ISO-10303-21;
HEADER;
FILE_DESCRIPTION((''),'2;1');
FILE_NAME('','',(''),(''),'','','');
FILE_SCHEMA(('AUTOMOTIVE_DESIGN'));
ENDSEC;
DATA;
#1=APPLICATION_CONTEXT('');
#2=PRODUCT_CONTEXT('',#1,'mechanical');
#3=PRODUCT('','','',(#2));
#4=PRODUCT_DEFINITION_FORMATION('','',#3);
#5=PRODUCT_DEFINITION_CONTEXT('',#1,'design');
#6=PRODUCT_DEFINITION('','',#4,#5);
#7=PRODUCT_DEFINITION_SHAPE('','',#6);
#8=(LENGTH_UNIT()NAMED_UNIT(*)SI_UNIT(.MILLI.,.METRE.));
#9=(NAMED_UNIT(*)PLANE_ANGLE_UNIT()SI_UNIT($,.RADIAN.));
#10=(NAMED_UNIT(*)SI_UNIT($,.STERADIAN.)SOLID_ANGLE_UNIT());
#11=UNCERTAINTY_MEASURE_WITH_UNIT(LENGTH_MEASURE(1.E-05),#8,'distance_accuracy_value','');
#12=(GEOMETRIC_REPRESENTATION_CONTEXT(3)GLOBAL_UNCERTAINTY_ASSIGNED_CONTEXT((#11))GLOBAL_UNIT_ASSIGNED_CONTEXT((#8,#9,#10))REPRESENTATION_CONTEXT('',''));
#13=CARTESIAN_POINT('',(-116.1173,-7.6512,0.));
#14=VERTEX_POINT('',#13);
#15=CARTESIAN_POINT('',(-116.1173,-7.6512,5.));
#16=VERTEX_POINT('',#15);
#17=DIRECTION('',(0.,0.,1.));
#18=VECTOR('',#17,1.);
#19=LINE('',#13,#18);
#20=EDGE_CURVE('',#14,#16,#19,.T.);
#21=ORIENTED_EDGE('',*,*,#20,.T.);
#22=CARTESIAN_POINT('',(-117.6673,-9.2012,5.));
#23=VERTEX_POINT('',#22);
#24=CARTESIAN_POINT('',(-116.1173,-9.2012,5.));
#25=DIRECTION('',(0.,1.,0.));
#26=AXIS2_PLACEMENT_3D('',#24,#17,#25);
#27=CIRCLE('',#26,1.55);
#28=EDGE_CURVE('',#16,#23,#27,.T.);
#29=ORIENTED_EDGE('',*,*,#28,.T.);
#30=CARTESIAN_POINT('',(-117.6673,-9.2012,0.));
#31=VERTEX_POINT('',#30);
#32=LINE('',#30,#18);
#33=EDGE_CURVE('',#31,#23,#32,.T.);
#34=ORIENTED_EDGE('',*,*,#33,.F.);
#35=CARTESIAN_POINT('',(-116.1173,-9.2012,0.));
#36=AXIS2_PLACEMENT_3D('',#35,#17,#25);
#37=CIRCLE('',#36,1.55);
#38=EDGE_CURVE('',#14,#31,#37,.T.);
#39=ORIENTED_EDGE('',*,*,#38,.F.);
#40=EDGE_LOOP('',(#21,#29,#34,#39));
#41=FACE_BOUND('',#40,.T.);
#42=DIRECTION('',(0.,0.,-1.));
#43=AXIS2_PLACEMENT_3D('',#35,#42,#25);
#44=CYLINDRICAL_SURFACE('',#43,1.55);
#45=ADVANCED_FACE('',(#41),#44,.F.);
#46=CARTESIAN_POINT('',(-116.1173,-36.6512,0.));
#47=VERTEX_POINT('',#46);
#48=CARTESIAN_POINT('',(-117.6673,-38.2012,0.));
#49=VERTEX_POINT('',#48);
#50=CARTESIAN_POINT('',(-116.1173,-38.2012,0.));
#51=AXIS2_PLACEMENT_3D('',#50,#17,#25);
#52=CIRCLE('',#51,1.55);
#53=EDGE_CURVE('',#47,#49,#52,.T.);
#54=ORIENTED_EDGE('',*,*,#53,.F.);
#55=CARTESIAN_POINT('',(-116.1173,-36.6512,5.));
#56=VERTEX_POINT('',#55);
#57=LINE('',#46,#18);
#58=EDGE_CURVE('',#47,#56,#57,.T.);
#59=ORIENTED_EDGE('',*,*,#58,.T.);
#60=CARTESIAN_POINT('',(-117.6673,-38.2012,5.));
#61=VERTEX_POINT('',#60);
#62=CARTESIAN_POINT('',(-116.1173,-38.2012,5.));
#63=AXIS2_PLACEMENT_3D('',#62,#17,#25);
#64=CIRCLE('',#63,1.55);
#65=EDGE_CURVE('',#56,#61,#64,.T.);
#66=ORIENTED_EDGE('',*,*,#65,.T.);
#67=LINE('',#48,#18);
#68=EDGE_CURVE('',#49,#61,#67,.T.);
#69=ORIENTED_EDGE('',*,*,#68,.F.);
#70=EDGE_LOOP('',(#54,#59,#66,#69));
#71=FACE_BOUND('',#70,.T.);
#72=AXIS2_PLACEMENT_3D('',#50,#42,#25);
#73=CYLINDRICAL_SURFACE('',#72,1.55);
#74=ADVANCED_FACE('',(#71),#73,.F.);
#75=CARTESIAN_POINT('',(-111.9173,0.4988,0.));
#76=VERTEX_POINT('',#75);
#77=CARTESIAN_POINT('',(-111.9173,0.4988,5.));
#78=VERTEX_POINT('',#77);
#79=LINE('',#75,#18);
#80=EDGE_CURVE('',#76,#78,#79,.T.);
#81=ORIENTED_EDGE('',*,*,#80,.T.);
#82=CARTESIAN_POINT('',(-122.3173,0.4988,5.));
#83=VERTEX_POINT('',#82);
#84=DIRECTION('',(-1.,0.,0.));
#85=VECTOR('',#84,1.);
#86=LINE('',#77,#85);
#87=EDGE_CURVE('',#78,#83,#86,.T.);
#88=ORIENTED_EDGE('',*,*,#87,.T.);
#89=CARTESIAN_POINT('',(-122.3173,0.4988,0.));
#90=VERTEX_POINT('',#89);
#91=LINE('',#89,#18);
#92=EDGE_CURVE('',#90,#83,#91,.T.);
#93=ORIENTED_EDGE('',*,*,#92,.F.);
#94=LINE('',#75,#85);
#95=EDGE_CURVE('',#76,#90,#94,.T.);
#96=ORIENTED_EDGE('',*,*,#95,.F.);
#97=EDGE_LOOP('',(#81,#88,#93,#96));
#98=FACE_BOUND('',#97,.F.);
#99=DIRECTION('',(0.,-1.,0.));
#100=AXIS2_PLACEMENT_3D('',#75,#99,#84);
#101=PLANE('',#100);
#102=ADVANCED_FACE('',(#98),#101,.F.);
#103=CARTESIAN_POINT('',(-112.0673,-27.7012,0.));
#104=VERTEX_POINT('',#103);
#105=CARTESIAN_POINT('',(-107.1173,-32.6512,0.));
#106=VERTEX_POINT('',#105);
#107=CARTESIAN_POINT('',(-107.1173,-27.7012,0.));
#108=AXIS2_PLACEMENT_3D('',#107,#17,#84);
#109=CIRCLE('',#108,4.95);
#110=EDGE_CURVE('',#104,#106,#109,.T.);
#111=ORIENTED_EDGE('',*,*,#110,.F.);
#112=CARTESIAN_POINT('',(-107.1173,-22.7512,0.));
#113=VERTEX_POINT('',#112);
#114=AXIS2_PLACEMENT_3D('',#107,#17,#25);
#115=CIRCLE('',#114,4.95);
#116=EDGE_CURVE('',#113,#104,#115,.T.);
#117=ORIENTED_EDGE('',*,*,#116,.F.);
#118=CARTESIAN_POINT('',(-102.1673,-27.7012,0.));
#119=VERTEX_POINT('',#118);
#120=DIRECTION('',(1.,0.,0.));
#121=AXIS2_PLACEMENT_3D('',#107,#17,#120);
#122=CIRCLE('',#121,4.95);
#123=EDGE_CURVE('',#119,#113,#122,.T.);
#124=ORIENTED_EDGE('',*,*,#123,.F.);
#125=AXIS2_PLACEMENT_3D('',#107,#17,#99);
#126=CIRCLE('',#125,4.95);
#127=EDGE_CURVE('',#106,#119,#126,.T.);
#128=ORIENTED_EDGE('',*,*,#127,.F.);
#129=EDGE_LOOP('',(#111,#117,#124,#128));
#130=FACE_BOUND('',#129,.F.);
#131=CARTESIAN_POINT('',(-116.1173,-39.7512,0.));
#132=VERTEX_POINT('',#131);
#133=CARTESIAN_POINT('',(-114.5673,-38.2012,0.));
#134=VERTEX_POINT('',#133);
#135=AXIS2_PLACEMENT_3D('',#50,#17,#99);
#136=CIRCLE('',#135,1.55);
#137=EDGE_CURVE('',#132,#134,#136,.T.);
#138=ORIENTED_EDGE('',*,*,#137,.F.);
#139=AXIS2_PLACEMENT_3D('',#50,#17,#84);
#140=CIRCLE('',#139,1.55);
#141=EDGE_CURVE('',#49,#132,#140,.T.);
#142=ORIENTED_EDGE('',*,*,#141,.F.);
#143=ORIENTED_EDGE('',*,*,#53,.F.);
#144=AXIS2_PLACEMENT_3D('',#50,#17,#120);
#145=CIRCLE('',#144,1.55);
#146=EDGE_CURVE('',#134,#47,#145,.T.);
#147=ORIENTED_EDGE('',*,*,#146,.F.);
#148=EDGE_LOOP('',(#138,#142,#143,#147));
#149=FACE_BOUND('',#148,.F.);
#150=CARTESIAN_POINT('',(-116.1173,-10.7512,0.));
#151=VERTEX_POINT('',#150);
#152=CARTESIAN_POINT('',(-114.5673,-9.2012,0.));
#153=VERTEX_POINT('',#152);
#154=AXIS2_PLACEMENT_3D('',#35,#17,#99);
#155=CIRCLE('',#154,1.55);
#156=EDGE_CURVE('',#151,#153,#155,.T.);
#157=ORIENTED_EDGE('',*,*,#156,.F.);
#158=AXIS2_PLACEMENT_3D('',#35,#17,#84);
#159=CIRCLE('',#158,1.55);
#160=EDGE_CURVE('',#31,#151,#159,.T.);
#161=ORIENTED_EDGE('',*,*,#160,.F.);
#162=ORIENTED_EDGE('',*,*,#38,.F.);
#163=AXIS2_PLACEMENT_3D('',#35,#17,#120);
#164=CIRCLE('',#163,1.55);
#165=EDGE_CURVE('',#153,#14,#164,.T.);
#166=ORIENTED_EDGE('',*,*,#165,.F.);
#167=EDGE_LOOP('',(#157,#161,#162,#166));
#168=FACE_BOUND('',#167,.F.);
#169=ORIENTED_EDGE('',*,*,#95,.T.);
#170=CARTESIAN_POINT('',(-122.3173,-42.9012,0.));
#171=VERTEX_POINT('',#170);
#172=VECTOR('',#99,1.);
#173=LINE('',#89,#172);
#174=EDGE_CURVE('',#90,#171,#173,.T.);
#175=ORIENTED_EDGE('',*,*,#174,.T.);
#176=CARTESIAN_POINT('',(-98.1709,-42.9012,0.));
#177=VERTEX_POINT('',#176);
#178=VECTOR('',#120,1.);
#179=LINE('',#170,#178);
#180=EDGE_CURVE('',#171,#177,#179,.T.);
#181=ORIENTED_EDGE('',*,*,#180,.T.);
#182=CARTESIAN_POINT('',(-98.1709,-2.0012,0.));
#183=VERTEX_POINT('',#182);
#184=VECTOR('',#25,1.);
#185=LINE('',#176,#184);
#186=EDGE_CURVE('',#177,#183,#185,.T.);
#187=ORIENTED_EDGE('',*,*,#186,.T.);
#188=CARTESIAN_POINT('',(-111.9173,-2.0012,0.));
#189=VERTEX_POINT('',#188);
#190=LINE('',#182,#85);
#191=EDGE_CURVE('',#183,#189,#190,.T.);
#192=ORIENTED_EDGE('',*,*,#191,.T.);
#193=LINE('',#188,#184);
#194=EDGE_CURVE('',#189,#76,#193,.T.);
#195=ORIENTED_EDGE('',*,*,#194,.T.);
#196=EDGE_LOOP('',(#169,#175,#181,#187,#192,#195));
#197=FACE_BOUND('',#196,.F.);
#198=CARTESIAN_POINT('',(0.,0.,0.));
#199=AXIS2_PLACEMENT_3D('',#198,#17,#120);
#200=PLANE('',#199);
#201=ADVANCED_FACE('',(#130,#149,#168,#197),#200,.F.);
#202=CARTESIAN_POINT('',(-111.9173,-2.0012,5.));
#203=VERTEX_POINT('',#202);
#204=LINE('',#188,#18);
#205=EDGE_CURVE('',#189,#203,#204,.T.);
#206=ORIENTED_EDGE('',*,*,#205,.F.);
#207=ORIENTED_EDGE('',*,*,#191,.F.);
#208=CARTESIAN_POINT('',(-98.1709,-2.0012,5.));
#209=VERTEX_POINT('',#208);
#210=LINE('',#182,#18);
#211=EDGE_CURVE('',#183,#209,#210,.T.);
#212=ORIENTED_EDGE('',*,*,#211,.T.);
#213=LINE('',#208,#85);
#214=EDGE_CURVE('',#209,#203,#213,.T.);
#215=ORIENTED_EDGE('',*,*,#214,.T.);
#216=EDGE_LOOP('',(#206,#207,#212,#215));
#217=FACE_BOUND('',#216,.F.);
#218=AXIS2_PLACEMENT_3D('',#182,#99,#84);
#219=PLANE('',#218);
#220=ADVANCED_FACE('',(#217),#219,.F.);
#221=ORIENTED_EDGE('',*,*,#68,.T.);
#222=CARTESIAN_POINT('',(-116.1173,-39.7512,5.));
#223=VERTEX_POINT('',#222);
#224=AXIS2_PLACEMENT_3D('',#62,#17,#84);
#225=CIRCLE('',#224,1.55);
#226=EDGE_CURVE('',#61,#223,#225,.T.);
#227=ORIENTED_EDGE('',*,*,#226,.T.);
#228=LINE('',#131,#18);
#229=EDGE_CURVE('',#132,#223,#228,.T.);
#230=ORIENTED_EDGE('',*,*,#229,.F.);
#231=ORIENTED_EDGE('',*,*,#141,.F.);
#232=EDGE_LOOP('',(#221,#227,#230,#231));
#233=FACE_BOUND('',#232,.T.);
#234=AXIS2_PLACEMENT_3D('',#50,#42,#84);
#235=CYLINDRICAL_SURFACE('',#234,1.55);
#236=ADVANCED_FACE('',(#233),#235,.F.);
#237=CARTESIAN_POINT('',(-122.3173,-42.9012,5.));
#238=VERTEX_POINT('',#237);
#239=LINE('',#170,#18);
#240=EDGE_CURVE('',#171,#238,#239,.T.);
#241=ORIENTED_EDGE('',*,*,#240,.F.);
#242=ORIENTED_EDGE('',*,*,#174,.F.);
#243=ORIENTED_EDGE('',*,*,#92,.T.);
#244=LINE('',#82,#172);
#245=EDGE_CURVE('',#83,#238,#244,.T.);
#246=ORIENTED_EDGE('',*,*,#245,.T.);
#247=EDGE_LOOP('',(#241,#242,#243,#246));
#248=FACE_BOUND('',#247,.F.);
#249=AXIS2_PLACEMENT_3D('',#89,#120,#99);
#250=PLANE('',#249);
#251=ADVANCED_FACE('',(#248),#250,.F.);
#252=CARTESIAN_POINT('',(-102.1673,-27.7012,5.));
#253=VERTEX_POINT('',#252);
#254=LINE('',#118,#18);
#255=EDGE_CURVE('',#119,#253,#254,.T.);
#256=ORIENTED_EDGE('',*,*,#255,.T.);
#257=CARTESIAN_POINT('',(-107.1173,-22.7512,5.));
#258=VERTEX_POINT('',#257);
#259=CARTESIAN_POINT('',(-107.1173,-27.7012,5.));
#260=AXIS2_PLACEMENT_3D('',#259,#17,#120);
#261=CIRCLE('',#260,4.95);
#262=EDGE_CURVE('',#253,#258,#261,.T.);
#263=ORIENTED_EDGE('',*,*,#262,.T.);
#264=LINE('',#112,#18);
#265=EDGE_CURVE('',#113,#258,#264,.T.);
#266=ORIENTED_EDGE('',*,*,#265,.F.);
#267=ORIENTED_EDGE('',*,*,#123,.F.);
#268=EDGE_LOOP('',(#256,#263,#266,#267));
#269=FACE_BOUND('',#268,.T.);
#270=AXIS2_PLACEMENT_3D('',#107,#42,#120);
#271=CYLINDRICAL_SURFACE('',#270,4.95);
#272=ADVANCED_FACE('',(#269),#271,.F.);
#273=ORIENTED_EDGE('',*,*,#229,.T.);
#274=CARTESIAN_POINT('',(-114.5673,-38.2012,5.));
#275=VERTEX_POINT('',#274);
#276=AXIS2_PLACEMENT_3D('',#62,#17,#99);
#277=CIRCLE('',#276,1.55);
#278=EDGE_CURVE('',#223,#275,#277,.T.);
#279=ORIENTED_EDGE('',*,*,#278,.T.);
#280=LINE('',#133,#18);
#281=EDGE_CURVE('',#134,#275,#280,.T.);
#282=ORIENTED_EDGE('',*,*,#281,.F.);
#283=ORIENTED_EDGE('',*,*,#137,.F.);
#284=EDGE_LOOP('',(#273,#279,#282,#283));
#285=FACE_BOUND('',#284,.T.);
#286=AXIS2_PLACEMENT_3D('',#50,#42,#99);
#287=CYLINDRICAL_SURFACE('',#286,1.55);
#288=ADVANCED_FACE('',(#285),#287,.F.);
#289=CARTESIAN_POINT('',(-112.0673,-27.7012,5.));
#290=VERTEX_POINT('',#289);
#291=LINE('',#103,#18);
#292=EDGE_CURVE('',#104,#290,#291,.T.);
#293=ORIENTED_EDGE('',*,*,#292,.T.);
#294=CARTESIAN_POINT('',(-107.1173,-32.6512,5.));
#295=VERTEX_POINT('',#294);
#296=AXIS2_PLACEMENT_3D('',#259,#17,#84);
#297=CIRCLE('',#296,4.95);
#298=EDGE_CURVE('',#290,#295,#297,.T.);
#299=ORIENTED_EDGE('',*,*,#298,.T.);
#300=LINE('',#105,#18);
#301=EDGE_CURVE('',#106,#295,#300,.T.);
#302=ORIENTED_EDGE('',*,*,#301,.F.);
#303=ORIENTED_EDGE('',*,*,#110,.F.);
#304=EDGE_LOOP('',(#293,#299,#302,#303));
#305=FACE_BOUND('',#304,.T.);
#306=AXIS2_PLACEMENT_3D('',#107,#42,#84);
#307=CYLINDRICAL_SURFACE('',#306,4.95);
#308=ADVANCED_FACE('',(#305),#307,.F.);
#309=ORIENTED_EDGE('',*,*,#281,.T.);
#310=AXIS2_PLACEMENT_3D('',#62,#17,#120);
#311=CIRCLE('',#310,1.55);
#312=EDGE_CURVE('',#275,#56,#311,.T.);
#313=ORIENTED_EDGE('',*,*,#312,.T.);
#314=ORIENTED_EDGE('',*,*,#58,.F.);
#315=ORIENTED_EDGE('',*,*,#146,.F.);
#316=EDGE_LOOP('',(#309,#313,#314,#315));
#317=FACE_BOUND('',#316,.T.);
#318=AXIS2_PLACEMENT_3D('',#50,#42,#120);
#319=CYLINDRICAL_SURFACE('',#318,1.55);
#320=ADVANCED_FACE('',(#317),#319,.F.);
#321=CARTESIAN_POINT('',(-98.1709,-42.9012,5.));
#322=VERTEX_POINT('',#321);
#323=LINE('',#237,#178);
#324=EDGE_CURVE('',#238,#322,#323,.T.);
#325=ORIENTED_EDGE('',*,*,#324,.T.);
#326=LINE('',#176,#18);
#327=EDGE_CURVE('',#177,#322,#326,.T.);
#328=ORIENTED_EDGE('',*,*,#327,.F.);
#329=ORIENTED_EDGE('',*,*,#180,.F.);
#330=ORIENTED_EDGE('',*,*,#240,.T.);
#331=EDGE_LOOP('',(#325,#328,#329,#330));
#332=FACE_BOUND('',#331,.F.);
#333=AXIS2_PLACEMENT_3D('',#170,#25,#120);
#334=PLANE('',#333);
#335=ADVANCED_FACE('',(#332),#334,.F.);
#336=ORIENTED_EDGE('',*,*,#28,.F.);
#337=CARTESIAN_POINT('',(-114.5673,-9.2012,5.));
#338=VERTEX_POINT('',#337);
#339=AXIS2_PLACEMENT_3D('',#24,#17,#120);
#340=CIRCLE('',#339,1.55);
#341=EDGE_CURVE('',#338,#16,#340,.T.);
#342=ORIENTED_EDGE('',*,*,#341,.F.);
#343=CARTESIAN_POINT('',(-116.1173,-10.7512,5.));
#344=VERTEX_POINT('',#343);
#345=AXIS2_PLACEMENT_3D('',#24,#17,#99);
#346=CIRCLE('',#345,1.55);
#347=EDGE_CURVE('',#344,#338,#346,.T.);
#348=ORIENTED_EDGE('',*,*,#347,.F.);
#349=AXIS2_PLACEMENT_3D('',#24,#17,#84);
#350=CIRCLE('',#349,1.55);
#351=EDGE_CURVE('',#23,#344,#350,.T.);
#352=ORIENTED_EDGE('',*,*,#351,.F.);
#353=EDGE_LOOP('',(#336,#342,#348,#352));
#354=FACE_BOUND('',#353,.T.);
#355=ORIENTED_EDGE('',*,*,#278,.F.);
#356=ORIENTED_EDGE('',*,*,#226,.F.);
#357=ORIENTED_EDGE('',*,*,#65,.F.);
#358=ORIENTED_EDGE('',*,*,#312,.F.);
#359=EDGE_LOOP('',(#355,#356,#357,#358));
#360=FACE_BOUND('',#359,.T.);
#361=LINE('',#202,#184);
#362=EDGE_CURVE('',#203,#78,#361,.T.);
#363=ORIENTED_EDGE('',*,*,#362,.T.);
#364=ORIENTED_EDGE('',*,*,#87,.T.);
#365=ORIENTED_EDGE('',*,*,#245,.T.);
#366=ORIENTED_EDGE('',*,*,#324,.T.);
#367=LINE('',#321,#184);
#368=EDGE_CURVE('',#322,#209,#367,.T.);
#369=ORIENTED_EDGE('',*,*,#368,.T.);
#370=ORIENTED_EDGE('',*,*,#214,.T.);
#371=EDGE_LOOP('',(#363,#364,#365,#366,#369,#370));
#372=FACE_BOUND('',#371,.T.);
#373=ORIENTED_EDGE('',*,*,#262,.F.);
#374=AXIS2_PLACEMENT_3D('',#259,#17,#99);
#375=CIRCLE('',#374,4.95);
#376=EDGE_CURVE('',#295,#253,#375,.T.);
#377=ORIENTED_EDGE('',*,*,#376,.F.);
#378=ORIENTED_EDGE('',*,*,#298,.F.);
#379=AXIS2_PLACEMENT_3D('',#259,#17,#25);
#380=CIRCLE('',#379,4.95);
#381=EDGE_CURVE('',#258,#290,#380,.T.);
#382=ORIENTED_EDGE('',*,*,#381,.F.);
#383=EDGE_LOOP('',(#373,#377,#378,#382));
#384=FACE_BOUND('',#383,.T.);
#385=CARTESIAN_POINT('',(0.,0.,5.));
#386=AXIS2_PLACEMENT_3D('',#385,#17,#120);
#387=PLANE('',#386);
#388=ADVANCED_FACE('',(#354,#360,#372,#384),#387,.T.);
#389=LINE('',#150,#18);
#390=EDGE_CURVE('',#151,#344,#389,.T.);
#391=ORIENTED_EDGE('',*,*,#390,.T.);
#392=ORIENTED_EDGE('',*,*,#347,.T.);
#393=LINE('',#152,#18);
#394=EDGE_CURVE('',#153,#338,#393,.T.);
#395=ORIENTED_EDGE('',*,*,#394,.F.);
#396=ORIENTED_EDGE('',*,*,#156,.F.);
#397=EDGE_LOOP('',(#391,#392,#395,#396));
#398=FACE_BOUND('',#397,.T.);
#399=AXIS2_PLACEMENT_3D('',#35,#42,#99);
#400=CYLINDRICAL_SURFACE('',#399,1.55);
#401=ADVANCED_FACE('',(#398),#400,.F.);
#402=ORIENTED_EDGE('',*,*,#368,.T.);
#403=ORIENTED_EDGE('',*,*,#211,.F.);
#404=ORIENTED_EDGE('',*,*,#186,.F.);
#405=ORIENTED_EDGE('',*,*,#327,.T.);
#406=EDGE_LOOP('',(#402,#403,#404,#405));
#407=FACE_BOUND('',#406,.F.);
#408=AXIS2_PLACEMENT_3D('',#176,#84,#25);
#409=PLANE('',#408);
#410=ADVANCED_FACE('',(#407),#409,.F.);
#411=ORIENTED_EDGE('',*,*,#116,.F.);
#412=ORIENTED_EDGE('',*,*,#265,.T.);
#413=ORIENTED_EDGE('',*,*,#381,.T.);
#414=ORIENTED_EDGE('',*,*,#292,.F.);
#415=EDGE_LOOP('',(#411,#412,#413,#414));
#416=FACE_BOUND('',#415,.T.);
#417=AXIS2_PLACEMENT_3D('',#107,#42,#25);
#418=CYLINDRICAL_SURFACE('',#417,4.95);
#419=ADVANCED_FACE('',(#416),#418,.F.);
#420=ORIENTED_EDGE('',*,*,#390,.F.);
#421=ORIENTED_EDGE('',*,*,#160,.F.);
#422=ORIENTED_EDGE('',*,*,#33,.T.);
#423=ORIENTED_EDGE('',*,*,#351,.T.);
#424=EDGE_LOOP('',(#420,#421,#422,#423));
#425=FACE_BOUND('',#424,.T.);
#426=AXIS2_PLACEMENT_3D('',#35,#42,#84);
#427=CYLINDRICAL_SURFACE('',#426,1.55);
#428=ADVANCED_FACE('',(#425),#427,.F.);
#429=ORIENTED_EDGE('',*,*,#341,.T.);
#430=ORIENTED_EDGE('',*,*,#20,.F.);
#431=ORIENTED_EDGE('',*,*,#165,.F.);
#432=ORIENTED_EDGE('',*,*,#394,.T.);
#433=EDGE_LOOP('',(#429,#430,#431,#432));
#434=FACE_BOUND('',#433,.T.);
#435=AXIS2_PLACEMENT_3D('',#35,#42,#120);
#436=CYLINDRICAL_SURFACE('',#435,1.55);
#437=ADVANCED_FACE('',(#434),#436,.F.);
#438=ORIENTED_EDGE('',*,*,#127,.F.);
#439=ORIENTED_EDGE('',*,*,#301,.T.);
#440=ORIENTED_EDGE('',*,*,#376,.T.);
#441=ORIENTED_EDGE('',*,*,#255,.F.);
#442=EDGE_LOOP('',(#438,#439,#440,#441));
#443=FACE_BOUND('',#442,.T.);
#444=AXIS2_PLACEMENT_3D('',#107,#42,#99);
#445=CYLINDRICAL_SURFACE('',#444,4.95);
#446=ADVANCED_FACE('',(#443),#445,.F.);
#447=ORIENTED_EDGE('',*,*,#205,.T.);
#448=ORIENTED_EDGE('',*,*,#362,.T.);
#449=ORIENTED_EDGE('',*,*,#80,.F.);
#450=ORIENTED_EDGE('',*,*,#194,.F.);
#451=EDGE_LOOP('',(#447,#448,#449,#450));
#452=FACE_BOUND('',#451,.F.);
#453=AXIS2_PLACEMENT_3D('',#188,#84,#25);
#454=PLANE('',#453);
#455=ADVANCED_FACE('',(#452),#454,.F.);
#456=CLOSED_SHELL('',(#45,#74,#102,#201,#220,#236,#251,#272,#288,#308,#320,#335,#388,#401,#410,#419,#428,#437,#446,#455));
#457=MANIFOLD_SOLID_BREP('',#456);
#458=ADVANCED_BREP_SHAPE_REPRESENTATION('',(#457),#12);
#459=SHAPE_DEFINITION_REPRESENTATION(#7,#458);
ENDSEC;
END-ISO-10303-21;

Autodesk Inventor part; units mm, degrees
ref_plane "YZ Plane" through (0, 0, 0) normal (1, 0, 0) x (0, 1, 0)
ref_plane "XZ Plane" through (0, 0, 0) normal (0, 1, 0) x (-1, 0, 0)
ref_plane "XY Plane" through (0, 0, 0) normal (0, 0, 1) x (1, 0, 0)
sketch "Boceto1" plane through (0, 0, 0) normal (0, 0, 1) x (1, 0, 0)
  arc A0 (-116.1173, -7.6512) -> (-117.6673, -9.2012) centre (-116.1173, -9.2012) ccw
  arc A1 (-117.6673, -9.2012) -> (-116.1173, -10.7512) centre (-116.1173, -9.2012) ccw
  arc A2 (-116.1173, -10.7512) -> (-114.5673, -9.2012) centre (-116.1173, -9.2012) ccw
  arc A3 (-114.5673, -9.2012) -> (-116.1173, -7.6512) centre (-116.1173, -9.2012) ccw
  arc A4 (-116.1173, -36.6512) -> (-117.6673, -38.2012) centre (-116.1173, -38.2012) ccw
  arc A5 (-117.6673, -38.2012) -> (-116.1173, -39.7512) centre (-116.1173, -38.2012) ccw
  arc A6 (-116.1173, -39.7512) -> (-114.5673, -38.2012) centre (-116.1173, -38.2012) ccw
  arc A7 (-114.5673, -38.2012) -> (-116.1173, -36.6512) centre (-116.1173, -38.2012) ccw
  arc A8 (-107.1173, -22.7512) -> (-112.0673, -27.7012) centre (-107.1173, -27.7012) ccw
  arc A9 (-112.0673, -27.7012) -> (-107.1173, -32.6512) centre (-107.1173, -27.7012) ccw
  arc A10 (-107.1173, -32.6512) -> (-102.1673, -27.7012) centre (-107.1173, -27.7012) ccw
  arc A11 (-102.1673, -27.7012) -> (-107.1173, -22.7512) centre (-107.1173, -27.7012) ccw
  line L0 (-98.1709, -2.0012) -> (-111.9173, -2.0012)
  line L1 (-111.9173, -2.0012) -> (-111.9173, 0.4988)
  line L2 (-111.9173, 0.4988) -> (-122.3173, 0.4988)
  line L3 (-122.3173, 0.4988) -> (-122.3173, -42.9012)
  line L4 (-122.3173, -42.9012) -> (-98.1709, -42.9012)
  line L5 (-98.1709, -42.9012) -> (-98.1709, -2.0012)
  point P0 (0, 0)
extrude "Extrusión1" add sketch "Boceto1" along normal blind 5
properties part number "carro x lado motor pieza 2 especial2"
